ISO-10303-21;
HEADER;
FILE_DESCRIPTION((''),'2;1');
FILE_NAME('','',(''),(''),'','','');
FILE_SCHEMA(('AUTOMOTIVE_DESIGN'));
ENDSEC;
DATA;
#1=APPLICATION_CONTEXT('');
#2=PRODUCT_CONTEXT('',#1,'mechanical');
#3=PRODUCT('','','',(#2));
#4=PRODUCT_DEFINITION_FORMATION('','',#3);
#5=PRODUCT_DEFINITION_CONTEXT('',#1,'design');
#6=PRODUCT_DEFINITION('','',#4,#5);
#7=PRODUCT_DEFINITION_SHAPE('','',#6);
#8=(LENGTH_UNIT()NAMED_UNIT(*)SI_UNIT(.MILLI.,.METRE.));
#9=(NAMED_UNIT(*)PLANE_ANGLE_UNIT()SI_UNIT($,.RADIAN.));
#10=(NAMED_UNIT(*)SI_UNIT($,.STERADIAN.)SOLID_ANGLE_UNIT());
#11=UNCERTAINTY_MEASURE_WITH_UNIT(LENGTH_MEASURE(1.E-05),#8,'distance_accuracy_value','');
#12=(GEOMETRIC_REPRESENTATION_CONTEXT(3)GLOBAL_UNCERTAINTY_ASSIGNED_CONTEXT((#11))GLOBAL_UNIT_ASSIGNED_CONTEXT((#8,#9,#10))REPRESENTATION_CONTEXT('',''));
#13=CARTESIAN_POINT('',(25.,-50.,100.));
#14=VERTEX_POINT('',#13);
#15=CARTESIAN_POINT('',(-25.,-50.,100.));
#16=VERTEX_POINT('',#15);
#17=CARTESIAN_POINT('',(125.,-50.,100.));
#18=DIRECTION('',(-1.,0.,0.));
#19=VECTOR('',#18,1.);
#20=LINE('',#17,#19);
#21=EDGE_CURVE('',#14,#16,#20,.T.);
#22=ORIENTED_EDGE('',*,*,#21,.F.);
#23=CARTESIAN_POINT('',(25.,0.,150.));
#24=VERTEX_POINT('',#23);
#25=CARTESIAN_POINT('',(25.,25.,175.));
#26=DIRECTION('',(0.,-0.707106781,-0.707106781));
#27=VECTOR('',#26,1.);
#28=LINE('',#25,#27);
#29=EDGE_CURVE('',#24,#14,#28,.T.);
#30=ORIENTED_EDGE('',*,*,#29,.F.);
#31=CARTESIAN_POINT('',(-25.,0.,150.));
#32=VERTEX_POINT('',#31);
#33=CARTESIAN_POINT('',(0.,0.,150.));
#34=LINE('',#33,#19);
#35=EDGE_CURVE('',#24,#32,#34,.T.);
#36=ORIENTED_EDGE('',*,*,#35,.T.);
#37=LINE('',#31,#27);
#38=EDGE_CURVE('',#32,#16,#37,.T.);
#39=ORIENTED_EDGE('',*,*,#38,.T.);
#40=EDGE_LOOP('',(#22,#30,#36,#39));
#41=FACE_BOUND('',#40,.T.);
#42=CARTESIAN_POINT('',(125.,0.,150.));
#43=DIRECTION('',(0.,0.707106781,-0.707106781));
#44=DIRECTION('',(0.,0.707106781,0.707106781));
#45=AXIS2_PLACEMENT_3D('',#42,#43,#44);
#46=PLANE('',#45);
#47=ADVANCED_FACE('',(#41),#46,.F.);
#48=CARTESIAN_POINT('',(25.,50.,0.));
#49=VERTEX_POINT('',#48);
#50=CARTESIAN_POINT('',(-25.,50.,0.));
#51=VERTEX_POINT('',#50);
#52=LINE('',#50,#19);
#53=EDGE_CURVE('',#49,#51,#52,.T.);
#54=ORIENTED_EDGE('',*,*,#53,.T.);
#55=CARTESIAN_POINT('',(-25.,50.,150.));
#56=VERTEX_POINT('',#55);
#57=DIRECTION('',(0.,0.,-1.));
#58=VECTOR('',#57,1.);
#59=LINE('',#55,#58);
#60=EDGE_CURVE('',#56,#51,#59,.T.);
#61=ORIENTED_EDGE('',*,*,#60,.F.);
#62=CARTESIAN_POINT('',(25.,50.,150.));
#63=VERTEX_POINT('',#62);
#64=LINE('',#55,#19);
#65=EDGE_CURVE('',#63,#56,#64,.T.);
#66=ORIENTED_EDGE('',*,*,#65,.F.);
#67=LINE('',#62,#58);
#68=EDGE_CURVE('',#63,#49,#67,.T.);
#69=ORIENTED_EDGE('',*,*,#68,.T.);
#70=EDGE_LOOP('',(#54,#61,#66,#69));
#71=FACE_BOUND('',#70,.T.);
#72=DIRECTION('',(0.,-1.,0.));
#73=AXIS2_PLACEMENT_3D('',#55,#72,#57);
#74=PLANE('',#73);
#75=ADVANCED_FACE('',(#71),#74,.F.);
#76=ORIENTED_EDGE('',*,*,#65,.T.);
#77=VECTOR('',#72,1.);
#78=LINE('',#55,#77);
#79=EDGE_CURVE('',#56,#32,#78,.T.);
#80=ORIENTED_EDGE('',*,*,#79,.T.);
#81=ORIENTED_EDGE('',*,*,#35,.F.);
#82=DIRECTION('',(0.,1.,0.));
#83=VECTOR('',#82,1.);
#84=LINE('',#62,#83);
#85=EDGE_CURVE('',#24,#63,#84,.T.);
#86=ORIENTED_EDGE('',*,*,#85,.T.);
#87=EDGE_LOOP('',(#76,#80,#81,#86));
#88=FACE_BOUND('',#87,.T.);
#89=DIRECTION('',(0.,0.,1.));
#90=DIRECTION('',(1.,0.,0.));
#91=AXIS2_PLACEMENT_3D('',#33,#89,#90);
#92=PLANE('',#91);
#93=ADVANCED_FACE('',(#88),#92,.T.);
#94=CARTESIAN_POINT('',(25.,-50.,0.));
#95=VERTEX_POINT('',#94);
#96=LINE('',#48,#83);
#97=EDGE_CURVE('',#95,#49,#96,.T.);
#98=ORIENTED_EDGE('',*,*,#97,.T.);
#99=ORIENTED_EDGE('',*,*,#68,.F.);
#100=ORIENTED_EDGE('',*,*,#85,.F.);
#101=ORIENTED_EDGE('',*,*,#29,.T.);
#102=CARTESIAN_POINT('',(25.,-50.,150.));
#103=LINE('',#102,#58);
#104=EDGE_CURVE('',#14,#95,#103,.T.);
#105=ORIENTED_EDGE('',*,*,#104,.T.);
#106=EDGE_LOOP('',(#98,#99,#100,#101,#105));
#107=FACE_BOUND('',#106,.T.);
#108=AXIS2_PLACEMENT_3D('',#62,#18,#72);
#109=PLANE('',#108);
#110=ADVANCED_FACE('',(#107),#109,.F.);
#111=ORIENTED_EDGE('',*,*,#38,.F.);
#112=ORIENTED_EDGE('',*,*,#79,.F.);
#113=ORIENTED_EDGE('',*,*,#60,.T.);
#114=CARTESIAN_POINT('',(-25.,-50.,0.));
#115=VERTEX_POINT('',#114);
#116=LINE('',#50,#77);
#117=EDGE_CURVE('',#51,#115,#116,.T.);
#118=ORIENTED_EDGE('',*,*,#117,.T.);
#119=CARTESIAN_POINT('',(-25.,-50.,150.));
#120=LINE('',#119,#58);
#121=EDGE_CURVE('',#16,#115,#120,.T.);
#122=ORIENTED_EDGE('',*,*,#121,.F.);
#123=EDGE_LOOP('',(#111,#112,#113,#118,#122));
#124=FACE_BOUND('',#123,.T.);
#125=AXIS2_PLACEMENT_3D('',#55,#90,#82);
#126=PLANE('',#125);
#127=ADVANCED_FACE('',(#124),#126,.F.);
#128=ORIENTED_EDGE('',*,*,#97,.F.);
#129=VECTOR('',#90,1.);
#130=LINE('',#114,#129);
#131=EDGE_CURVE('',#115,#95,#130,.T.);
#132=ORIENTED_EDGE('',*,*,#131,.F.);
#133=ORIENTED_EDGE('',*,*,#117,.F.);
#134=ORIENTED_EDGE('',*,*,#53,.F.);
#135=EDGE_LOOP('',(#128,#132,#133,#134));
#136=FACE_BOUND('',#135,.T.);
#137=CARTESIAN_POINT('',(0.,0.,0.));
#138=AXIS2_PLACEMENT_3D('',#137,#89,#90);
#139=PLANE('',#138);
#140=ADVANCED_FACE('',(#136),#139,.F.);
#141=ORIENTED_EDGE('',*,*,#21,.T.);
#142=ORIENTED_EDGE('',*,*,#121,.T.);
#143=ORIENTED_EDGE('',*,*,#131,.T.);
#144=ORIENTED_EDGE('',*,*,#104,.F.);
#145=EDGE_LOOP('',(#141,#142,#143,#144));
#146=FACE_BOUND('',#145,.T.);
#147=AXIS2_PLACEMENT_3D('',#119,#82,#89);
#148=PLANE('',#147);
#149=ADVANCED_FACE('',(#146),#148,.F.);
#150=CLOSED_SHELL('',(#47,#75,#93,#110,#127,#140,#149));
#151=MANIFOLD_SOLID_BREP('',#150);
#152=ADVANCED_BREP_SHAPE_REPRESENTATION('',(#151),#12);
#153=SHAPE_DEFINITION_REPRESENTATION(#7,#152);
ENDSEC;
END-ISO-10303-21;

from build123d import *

# Parameters (mm, degrees)
SKETCH2_W           = 50
SKETCH2_H           = 100
BOSS_EXTRUDE1_DEPTH = 150
CUT_EXTRUDE1_DEPTH  = 150


with BuildPart() as part:
    # Sketch2 → Boss-Extrude1 (new body)
    with BuildSketch(Plane.XY):
        Rectangle(SKETCH2_W, SKETCH2_H)
    extrude(amount=BOSS_EXTRUDE1_DEPTH)

    # Sketch3 → Cut-Extrude1 (cut)
    with BuildSketch(Plane.ZY.offset(25)):
        Polygon((150, 0), (100, -50), (150, -50), align=None)
    extrude(amount=-CUT_EXTRUDE1_DEPTH, mode=Mode.SUBTRACT)


solid = part.part
